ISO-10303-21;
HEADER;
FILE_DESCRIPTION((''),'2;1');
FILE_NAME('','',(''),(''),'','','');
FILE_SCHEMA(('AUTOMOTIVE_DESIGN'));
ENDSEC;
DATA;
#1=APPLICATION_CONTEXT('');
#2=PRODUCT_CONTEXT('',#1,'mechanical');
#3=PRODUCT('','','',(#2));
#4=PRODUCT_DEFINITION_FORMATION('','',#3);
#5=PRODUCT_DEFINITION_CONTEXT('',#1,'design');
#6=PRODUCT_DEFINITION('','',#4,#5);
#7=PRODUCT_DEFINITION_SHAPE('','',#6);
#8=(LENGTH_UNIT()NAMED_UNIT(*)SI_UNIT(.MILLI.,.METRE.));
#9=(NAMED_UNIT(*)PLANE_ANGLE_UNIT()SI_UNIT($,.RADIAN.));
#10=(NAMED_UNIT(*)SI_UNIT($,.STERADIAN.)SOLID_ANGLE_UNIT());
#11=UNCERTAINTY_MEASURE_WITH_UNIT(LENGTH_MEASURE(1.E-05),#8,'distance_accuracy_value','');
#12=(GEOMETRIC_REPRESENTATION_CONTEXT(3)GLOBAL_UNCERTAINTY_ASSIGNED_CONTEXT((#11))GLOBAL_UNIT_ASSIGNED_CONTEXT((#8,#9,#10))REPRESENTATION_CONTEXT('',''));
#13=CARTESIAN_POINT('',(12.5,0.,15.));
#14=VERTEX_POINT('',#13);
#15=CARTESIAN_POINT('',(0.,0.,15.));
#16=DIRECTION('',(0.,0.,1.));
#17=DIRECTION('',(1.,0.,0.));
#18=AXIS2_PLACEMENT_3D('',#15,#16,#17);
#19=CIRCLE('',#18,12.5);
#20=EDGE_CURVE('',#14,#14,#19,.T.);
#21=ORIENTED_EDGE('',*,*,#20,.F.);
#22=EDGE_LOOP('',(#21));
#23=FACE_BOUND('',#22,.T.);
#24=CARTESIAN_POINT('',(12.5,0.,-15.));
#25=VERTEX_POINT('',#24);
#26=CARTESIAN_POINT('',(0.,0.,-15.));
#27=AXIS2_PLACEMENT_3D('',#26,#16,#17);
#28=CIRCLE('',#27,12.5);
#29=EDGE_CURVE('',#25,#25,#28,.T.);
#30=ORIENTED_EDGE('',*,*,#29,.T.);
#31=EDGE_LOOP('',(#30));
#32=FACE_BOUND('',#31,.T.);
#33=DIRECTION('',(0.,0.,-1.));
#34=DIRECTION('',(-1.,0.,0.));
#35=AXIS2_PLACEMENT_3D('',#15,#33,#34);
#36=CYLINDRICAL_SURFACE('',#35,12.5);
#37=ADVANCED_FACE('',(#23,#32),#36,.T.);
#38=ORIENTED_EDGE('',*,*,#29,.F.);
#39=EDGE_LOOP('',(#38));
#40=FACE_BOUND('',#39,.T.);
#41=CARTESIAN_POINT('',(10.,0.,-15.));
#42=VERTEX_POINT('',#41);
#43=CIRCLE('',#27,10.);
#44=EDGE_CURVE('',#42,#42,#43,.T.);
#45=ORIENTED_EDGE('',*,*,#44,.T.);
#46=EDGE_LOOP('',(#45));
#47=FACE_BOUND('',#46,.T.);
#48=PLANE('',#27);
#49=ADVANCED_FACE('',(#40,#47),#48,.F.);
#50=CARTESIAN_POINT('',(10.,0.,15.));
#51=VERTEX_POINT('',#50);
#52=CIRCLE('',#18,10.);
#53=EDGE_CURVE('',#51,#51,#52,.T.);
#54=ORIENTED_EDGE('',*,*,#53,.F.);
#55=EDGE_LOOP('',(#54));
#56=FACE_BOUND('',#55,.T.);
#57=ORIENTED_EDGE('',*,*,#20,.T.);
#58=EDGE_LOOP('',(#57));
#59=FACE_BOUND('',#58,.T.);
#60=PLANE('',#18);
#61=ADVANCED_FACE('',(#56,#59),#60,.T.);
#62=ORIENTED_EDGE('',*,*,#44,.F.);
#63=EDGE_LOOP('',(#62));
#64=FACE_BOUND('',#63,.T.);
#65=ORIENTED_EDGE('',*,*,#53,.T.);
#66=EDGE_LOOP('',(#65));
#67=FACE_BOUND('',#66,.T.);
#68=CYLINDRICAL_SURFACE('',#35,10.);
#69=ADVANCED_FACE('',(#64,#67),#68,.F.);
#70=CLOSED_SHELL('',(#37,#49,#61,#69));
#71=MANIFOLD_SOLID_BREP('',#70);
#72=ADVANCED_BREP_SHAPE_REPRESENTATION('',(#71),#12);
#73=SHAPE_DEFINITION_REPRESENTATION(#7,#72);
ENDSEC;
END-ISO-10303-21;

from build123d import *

# Parameters (mm, degrees)
SKETCH_1_R      = 12.5
SKETCH_1_R_2    = 10
EXTRUDE_1_DEPTH = 15


with BuildPart() as part:
    # 草图1 → 凸台-拉伸1 (new, symmetric)
    with BuildSketch(Plane.XY):
        Circle(SKETCH_1_R)
        Circle(SKETCH_1_R_2, mode=Mode.SUBTRACT)
    extrude(amount=EXTRUDE_1_DEPTH, both=True)


solid = part.part
